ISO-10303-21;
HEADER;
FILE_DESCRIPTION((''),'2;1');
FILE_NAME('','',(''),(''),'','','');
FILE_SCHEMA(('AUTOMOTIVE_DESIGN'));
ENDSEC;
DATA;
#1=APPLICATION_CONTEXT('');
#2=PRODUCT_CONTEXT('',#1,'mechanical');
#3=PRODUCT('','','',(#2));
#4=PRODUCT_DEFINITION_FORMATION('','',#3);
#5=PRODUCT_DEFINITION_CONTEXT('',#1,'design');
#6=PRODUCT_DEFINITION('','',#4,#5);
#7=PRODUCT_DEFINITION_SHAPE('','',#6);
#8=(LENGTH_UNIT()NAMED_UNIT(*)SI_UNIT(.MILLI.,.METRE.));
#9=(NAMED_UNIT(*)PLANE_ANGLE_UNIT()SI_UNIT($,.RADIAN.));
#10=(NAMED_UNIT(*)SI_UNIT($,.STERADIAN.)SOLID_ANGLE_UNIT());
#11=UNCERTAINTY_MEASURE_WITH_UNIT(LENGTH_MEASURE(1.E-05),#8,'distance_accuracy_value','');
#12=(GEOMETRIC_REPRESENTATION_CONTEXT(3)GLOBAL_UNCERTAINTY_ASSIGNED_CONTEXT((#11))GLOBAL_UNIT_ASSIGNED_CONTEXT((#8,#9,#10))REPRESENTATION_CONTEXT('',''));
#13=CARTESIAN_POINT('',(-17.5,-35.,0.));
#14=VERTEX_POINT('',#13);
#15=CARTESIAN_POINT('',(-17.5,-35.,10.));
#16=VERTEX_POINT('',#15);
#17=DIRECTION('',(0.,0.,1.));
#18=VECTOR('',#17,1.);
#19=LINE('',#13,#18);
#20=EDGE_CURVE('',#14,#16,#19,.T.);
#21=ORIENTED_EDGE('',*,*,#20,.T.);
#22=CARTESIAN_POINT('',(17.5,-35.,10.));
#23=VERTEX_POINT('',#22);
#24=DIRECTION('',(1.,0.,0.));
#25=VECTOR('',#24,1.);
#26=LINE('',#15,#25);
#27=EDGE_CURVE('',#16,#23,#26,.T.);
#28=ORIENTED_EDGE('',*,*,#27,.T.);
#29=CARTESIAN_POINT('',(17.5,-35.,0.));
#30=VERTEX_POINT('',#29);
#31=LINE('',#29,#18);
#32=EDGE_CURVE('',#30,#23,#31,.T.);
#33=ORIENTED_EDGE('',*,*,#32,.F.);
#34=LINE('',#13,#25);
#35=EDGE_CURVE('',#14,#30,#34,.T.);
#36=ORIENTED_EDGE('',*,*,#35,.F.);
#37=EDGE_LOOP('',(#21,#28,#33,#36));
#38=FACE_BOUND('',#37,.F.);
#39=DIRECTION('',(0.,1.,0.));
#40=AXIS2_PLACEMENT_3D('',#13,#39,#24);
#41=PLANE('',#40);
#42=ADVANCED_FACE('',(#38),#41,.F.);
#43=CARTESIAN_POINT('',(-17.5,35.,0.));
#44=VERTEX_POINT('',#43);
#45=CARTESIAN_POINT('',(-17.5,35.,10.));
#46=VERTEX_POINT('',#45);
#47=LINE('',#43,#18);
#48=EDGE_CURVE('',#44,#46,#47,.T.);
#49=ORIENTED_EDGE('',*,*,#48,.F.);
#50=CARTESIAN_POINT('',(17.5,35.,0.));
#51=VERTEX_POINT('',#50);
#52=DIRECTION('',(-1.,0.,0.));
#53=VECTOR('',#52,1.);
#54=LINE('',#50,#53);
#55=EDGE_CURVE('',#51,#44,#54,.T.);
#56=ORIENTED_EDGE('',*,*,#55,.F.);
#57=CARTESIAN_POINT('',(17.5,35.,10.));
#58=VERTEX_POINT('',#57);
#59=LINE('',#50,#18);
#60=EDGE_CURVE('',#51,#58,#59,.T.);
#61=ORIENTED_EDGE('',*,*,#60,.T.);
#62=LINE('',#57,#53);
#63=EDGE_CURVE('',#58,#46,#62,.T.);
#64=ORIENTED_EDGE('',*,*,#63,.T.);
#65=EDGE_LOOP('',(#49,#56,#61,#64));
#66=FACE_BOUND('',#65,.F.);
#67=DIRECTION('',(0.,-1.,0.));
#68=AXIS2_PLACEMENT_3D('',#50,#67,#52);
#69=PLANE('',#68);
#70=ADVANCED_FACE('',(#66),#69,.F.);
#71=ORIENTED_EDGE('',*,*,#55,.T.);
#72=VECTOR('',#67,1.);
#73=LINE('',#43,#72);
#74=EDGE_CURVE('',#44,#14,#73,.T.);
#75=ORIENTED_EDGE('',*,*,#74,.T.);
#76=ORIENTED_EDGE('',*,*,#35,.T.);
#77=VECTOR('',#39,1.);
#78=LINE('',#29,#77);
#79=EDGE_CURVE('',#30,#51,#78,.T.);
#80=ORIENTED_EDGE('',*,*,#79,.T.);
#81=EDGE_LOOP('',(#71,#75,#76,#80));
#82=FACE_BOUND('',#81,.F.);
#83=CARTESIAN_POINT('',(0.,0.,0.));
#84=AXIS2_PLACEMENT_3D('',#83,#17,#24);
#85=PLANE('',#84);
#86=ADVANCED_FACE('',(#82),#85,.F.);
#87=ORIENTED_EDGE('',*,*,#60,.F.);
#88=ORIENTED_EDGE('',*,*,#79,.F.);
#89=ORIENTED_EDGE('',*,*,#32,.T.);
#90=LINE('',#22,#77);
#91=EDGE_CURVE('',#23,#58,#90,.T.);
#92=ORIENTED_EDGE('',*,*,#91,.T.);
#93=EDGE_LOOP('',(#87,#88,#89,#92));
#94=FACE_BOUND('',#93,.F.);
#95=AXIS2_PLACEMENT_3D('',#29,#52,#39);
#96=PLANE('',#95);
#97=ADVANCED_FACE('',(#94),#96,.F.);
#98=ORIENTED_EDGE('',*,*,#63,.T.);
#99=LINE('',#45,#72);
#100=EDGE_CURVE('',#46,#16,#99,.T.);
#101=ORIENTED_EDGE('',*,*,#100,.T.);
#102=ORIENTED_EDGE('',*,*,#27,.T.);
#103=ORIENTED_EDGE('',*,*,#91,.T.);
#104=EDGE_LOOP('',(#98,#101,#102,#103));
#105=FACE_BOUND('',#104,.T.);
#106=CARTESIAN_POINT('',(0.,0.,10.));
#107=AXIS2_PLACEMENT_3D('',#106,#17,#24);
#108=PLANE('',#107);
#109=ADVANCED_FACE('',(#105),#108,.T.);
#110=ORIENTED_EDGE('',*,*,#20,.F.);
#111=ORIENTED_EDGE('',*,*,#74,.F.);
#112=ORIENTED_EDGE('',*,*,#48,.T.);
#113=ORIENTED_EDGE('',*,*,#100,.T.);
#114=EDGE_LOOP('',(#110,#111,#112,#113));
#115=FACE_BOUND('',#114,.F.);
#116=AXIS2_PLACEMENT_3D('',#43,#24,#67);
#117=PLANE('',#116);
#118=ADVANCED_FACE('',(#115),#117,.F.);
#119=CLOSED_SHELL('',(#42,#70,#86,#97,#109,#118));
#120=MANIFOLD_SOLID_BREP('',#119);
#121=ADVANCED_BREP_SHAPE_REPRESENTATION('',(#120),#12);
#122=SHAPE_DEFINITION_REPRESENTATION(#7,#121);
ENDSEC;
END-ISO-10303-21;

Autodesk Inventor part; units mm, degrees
ref_plane "YZ Plane" through (0, 0, 0) normal (1, 0, 0) x (0, 1, 0)
ref_plane "XZ Plane" through (0, 0, 0) normal (0, 1, 0) x (-1, 0, 0)
ref_plane "XY Plane" through (0, 0, 0) normal (0, 0, 1) x (1, 0, 0)
sketch "Sketch1" plane through (0, 0, 0) normal (0, 0, 1) x (1, 0, 0)
  line L0 (-17.5, -35) -> (17.5, -35)
  line L1 (17.5, -35) -> (17.5, 35)
  line L2 (17.5, 35) -> (-17.5, 35)
  line L3 (-17.5, 35) -> (-17.5, -35)
  line L4 (-17.5, -35) -> (17.5, 35) construction
  line L5 (17.5, -35) -> (-17.5, 35) construction
  point P0 (0, 0)
  dimension "d0" = 35
  dimension "d1" = 70
extrude "Extrusion1" add sketch "Sketch1" along normal blind 10
properties part number "CounterWeight"
